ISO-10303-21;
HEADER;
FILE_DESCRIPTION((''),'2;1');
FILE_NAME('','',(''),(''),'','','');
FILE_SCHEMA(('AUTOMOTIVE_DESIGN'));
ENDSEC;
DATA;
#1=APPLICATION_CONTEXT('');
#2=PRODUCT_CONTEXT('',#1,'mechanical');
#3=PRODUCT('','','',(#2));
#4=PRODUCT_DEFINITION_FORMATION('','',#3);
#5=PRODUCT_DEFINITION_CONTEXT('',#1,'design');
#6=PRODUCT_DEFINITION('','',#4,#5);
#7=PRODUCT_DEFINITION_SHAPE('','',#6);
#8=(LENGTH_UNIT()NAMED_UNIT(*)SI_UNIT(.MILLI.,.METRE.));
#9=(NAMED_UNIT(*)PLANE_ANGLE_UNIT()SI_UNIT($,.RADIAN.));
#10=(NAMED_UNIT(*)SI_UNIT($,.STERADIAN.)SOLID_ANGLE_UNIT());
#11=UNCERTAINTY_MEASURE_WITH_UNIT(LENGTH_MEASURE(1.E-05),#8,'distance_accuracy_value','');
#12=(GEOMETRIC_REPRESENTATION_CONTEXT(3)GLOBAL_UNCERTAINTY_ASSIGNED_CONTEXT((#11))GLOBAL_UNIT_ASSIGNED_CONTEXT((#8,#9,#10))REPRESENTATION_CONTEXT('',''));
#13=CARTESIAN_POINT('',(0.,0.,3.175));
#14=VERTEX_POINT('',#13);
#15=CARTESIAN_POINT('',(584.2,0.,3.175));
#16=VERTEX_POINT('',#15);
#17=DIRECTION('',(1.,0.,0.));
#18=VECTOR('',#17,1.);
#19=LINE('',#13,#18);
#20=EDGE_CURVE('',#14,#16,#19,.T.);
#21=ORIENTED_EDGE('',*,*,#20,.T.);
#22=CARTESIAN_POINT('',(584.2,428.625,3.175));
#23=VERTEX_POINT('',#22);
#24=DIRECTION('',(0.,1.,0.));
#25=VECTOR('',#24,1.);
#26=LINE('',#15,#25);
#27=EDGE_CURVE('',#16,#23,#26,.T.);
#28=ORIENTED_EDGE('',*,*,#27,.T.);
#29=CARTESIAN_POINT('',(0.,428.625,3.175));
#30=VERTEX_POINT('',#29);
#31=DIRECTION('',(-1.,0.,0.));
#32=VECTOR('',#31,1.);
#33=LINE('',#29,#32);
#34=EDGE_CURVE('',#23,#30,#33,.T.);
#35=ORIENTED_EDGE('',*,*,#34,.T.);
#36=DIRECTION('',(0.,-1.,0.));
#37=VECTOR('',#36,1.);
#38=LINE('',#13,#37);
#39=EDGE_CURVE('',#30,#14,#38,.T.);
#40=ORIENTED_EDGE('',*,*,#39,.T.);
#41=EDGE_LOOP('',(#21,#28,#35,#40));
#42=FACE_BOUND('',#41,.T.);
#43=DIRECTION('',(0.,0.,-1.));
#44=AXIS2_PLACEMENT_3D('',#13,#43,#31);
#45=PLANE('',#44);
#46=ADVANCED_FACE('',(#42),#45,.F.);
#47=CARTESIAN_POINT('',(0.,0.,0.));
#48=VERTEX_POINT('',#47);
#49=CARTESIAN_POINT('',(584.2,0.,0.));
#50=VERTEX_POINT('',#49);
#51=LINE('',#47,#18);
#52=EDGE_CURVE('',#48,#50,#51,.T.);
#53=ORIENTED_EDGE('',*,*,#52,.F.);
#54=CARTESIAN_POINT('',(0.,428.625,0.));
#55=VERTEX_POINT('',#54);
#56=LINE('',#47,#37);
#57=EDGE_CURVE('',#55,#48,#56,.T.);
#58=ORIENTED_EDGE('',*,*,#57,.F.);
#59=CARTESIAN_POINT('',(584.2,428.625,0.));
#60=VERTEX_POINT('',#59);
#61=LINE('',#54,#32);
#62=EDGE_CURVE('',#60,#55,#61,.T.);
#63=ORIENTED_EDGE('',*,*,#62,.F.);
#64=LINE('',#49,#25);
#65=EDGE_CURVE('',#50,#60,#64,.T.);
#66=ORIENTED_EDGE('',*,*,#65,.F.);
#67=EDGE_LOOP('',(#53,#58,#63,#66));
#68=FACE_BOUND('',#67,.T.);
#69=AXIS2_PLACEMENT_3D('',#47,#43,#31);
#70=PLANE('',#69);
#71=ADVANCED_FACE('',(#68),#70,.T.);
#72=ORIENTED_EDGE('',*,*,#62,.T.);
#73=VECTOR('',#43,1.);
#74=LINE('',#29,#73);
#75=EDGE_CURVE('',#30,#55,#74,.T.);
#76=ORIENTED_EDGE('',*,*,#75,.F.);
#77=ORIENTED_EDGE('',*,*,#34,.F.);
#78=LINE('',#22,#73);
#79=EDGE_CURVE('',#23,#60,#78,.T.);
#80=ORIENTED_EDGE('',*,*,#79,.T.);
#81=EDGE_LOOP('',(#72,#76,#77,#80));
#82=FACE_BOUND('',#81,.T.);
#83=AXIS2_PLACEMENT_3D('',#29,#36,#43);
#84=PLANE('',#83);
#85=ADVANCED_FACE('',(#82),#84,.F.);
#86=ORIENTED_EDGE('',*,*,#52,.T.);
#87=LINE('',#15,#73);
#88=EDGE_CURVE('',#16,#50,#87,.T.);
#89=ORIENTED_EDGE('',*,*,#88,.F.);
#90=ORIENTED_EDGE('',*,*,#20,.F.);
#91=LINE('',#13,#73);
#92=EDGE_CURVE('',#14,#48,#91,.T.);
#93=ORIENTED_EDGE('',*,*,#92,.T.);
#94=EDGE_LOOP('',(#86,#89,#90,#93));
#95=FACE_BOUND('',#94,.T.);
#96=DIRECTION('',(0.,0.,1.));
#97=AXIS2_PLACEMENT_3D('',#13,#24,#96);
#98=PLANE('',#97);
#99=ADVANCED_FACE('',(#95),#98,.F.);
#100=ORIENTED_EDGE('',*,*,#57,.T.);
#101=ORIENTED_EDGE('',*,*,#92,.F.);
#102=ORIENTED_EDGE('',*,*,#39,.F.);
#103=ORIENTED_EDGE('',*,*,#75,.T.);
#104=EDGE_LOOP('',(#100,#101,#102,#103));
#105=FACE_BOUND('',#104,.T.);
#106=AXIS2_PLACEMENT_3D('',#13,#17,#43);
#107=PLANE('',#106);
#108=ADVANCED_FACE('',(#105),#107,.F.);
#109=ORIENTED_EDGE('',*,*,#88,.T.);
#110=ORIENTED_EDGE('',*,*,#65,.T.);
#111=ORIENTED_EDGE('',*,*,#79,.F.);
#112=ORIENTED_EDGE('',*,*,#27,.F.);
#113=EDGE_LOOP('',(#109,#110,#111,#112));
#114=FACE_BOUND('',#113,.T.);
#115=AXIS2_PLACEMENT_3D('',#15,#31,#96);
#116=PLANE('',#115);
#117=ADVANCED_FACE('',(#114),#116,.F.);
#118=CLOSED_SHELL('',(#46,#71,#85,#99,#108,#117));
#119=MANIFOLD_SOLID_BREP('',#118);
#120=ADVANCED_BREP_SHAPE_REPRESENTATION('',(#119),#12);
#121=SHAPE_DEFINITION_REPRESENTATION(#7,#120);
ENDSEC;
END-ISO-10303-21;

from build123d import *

# Parameters (mm, degrees)
SKETCH1_W           = 584.2
SKETCH1_H           = 428.625
BOSS_EXTRUDE1_DEPTH = 3.175


with BuildPart() as part:
    # Sketch1 → Boss-Extrude1 (new body)
    with BuildSketch(Plane.XY):
        with Locations((292.1, 214.3125)):
            Rectangle(SKETCH1_W, SKETCH1_H)
    extrude(amount=BOSS_EXTRUDE1_DEPTH)


solid = part.part
